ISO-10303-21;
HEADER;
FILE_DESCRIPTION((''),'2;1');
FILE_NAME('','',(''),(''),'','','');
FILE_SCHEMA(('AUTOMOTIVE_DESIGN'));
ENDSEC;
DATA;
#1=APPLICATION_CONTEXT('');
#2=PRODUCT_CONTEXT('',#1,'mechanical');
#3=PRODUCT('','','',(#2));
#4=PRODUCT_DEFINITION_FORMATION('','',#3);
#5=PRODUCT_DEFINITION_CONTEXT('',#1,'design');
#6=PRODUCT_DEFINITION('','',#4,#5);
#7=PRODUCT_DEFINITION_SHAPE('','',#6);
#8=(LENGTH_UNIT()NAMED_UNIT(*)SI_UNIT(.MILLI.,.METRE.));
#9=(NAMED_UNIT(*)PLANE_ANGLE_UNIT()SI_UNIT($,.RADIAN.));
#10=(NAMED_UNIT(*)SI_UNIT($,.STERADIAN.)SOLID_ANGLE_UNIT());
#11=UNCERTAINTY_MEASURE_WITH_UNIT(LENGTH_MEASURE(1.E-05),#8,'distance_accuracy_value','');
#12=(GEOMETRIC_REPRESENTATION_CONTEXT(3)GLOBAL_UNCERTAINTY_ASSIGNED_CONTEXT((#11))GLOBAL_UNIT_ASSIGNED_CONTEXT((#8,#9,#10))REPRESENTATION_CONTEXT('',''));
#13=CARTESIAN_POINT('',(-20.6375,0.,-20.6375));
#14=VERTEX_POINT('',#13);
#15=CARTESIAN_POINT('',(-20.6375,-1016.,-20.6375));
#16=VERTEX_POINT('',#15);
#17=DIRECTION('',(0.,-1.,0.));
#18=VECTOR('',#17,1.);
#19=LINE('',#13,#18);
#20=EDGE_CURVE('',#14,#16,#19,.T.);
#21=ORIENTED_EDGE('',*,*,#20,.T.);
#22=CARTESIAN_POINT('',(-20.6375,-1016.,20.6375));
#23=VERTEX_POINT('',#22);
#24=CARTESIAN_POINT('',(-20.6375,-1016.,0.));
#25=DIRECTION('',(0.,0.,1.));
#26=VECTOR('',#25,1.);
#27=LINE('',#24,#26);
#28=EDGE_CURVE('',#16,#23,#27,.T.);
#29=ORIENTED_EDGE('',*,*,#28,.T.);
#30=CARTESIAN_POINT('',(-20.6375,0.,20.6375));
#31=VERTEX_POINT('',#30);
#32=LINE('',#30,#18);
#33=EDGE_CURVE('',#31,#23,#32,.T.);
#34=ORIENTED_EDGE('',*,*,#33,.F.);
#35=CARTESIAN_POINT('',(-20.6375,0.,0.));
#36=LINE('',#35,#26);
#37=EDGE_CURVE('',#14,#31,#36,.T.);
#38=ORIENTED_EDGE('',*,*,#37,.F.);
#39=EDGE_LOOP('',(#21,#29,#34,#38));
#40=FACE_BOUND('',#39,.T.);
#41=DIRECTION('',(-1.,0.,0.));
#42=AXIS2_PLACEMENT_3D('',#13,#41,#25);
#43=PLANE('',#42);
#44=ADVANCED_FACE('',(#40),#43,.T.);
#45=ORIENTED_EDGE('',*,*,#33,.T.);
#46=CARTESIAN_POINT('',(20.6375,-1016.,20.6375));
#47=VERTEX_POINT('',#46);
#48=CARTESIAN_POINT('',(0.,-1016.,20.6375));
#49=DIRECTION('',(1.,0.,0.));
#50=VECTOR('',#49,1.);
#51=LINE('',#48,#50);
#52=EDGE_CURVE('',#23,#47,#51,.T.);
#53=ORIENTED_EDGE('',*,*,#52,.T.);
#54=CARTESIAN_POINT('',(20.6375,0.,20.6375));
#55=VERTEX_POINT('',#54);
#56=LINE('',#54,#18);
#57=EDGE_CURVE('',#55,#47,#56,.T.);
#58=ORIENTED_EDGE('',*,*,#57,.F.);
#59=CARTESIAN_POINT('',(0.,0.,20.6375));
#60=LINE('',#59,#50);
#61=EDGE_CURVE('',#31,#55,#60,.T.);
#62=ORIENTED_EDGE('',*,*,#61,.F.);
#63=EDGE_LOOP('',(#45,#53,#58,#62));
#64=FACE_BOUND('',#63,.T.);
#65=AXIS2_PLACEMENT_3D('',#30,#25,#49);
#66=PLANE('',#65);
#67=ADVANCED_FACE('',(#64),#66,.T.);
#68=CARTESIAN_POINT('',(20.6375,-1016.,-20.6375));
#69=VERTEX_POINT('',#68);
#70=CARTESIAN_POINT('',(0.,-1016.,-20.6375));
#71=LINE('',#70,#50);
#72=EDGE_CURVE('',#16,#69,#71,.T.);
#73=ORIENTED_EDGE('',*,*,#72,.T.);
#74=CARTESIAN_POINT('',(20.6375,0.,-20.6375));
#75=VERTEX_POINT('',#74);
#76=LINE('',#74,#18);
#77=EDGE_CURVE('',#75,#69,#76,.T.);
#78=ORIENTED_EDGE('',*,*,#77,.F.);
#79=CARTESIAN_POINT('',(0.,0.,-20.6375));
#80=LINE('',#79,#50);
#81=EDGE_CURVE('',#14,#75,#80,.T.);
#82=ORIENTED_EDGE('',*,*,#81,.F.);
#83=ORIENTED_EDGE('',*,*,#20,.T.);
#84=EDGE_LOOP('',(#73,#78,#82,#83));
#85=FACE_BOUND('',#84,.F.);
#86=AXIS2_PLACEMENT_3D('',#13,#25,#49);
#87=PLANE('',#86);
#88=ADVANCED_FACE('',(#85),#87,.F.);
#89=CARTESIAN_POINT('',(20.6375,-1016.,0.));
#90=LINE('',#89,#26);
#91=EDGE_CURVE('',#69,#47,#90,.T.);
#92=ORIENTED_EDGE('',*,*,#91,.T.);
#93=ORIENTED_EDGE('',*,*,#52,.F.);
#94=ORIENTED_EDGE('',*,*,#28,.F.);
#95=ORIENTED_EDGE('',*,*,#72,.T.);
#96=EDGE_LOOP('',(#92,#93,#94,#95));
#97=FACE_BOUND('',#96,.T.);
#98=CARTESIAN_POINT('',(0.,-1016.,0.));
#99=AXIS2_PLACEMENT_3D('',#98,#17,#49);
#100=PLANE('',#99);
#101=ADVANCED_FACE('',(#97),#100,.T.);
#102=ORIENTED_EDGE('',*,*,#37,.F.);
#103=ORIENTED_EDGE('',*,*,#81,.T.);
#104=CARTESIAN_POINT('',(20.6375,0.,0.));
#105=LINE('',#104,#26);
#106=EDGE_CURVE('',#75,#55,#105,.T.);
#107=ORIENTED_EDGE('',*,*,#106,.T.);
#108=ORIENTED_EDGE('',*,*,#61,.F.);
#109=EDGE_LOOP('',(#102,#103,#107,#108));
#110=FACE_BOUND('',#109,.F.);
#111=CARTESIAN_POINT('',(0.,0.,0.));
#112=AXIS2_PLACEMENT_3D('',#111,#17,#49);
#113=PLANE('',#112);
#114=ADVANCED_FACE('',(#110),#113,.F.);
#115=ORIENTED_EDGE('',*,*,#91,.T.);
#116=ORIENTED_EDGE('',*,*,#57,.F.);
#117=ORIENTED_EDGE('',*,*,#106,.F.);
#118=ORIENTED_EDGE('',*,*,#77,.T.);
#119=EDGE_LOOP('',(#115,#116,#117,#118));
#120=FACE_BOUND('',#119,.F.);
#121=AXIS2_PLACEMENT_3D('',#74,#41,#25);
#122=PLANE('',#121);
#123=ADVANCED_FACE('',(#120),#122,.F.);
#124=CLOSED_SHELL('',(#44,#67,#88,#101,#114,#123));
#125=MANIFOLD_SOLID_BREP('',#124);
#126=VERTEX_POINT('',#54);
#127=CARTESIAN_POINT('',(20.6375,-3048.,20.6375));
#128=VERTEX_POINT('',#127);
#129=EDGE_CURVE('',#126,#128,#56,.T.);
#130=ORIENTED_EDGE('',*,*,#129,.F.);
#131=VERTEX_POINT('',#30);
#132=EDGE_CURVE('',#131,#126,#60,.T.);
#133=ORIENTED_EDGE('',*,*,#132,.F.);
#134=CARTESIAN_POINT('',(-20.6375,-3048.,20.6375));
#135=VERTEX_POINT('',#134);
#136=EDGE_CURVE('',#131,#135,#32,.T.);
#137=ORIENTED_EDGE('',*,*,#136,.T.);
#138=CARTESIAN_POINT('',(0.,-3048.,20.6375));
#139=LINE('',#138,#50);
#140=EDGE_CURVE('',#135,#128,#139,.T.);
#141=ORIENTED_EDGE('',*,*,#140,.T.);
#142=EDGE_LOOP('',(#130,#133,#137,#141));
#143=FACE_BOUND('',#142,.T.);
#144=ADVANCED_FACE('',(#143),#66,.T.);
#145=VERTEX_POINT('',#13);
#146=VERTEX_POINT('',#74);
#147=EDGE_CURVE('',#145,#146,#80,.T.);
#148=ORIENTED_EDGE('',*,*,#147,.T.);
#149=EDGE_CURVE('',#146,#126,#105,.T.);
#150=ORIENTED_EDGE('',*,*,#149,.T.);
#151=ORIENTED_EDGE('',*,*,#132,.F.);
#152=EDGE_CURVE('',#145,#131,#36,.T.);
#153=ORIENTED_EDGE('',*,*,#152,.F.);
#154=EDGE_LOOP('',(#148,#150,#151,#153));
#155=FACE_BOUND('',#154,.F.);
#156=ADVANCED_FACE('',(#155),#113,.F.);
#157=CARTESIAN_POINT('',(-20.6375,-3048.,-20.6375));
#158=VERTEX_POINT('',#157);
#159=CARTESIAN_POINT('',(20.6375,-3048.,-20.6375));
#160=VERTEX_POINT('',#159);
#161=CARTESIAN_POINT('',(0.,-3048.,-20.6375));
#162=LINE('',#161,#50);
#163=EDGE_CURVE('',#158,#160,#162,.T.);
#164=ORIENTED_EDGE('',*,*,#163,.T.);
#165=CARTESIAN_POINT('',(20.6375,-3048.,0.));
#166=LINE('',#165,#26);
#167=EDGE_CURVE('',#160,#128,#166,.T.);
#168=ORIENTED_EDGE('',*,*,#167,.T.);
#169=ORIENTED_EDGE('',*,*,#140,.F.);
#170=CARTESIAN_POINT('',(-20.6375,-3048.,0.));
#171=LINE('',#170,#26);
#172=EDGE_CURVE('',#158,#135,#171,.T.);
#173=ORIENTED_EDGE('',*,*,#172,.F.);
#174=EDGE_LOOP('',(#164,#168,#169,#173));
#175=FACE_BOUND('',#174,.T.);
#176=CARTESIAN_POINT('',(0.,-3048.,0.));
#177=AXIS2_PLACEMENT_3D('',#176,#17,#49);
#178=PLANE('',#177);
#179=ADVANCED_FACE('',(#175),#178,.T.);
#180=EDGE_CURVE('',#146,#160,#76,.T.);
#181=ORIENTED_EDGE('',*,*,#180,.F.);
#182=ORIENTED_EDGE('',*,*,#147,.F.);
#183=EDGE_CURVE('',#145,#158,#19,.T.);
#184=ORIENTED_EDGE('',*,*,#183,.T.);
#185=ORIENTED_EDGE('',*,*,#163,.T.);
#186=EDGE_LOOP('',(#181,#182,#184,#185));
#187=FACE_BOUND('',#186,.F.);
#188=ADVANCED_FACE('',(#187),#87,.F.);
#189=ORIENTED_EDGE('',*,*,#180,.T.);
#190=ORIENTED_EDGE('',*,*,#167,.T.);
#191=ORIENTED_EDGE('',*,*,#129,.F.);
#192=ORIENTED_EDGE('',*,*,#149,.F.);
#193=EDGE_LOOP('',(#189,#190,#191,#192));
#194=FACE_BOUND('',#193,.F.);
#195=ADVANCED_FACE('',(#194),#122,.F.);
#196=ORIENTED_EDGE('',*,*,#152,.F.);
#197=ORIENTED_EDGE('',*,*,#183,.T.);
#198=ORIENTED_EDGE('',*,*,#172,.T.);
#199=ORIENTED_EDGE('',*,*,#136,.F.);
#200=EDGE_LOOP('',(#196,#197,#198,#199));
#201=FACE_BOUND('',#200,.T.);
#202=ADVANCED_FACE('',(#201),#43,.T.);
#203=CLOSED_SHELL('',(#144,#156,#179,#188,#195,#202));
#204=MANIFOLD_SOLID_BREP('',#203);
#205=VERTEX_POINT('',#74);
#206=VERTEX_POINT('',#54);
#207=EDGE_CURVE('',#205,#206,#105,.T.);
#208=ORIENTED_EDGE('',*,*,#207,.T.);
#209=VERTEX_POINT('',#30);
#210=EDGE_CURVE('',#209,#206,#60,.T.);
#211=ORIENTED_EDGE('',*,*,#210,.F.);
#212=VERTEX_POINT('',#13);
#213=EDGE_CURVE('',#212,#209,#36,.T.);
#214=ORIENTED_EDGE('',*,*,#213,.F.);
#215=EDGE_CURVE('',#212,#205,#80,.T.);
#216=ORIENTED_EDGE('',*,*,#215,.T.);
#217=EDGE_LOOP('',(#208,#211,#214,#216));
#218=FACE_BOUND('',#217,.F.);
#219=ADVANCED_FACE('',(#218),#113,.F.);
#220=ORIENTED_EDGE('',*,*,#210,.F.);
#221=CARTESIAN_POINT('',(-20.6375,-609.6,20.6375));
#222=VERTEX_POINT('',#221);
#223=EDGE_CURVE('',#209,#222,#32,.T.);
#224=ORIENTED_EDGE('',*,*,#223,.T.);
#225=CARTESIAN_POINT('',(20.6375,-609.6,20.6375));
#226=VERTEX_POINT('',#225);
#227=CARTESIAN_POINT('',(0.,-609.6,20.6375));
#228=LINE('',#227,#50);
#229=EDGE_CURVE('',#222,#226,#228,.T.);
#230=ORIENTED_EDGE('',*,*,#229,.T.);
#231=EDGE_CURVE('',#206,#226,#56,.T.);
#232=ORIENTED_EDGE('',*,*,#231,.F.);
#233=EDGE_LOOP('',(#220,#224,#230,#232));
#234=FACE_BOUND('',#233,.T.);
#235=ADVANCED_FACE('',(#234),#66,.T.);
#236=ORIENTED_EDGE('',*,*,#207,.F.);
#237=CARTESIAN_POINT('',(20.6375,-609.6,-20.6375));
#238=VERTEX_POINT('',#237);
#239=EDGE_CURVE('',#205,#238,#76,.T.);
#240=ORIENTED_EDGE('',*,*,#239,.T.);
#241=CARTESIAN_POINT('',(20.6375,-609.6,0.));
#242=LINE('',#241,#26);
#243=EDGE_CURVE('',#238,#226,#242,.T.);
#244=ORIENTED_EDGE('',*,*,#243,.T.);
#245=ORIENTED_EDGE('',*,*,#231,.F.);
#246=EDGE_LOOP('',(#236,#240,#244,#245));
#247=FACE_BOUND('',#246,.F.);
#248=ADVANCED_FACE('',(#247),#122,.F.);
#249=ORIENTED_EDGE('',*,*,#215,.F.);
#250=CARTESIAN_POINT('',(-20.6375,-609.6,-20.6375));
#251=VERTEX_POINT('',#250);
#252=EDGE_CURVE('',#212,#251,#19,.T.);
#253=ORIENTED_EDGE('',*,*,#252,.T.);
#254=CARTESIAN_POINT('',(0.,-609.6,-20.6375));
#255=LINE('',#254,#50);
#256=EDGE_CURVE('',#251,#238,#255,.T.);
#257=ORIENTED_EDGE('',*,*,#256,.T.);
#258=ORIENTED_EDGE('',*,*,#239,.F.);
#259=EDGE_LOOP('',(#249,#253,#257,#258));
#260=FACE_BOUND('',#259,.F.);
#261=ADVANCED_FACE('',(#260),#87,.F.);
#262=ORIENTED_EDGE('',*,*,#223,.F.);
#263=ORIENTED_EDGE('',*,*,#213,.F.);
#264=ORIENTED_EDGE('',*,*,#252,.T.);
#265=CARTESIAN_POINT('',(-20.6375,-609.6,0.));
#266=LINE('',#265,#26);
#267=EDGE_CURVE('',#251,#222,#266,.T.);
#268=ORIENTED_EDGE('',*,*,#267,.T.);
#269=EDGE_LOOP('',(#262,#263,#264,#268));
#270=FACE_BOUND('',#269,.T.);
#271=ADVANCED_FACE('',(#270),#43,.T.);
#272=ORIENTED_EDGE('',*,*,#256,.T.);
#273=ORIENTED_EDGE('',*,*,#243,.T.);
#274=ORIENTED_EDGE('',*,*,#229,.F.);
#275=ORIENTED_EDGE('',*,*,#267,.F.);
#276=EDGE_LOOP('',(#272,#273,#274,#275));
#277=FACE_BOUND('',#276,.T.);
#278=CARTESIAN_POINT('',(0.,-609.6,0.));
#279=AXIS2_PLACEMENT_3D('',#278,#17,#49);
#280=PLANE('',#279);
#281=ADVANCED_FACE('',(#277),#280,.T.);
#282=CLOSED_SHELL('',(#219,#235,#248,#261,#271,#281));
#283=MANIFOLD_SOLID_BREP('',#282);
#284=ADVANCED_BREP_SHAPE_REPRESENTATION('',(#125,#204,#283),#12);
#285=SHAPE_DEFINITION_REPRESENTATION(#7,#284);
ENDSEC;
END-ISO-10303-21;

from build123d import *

# Parameters (mm, degrees)
F0_W     = 41.275
F0_H     = 41.275
F1_DEPTH = 609.6
F2_DEPTH = 1016
F3_DEPTH = 3048


with BuildPart() as f1:
    # F0 (on Front) → F1 (new body)
    with BuildSketch(Plane.XZ):
        Rectangle(F0_W, F0_H)
    extrude(amount=F1_DEPTH)


with BuildPart() as f2:
    # F0 (on Front) → F2 (new body)
    with BuildSketch(Plane.XZ):
        Rectangle(F0_W, F0_H)
    extrude(amount=F2_DEPTH)


with BuildPart() as f3:
    # F0 (on Front) → F3 (new body)
    with BuildSketch(Plane.XZ):
        Rectangle(F0_W, F0_H)
    extrude(amount=F3_DEPTH)


solid = Compound([f1.part, f2.part, f3.part])
